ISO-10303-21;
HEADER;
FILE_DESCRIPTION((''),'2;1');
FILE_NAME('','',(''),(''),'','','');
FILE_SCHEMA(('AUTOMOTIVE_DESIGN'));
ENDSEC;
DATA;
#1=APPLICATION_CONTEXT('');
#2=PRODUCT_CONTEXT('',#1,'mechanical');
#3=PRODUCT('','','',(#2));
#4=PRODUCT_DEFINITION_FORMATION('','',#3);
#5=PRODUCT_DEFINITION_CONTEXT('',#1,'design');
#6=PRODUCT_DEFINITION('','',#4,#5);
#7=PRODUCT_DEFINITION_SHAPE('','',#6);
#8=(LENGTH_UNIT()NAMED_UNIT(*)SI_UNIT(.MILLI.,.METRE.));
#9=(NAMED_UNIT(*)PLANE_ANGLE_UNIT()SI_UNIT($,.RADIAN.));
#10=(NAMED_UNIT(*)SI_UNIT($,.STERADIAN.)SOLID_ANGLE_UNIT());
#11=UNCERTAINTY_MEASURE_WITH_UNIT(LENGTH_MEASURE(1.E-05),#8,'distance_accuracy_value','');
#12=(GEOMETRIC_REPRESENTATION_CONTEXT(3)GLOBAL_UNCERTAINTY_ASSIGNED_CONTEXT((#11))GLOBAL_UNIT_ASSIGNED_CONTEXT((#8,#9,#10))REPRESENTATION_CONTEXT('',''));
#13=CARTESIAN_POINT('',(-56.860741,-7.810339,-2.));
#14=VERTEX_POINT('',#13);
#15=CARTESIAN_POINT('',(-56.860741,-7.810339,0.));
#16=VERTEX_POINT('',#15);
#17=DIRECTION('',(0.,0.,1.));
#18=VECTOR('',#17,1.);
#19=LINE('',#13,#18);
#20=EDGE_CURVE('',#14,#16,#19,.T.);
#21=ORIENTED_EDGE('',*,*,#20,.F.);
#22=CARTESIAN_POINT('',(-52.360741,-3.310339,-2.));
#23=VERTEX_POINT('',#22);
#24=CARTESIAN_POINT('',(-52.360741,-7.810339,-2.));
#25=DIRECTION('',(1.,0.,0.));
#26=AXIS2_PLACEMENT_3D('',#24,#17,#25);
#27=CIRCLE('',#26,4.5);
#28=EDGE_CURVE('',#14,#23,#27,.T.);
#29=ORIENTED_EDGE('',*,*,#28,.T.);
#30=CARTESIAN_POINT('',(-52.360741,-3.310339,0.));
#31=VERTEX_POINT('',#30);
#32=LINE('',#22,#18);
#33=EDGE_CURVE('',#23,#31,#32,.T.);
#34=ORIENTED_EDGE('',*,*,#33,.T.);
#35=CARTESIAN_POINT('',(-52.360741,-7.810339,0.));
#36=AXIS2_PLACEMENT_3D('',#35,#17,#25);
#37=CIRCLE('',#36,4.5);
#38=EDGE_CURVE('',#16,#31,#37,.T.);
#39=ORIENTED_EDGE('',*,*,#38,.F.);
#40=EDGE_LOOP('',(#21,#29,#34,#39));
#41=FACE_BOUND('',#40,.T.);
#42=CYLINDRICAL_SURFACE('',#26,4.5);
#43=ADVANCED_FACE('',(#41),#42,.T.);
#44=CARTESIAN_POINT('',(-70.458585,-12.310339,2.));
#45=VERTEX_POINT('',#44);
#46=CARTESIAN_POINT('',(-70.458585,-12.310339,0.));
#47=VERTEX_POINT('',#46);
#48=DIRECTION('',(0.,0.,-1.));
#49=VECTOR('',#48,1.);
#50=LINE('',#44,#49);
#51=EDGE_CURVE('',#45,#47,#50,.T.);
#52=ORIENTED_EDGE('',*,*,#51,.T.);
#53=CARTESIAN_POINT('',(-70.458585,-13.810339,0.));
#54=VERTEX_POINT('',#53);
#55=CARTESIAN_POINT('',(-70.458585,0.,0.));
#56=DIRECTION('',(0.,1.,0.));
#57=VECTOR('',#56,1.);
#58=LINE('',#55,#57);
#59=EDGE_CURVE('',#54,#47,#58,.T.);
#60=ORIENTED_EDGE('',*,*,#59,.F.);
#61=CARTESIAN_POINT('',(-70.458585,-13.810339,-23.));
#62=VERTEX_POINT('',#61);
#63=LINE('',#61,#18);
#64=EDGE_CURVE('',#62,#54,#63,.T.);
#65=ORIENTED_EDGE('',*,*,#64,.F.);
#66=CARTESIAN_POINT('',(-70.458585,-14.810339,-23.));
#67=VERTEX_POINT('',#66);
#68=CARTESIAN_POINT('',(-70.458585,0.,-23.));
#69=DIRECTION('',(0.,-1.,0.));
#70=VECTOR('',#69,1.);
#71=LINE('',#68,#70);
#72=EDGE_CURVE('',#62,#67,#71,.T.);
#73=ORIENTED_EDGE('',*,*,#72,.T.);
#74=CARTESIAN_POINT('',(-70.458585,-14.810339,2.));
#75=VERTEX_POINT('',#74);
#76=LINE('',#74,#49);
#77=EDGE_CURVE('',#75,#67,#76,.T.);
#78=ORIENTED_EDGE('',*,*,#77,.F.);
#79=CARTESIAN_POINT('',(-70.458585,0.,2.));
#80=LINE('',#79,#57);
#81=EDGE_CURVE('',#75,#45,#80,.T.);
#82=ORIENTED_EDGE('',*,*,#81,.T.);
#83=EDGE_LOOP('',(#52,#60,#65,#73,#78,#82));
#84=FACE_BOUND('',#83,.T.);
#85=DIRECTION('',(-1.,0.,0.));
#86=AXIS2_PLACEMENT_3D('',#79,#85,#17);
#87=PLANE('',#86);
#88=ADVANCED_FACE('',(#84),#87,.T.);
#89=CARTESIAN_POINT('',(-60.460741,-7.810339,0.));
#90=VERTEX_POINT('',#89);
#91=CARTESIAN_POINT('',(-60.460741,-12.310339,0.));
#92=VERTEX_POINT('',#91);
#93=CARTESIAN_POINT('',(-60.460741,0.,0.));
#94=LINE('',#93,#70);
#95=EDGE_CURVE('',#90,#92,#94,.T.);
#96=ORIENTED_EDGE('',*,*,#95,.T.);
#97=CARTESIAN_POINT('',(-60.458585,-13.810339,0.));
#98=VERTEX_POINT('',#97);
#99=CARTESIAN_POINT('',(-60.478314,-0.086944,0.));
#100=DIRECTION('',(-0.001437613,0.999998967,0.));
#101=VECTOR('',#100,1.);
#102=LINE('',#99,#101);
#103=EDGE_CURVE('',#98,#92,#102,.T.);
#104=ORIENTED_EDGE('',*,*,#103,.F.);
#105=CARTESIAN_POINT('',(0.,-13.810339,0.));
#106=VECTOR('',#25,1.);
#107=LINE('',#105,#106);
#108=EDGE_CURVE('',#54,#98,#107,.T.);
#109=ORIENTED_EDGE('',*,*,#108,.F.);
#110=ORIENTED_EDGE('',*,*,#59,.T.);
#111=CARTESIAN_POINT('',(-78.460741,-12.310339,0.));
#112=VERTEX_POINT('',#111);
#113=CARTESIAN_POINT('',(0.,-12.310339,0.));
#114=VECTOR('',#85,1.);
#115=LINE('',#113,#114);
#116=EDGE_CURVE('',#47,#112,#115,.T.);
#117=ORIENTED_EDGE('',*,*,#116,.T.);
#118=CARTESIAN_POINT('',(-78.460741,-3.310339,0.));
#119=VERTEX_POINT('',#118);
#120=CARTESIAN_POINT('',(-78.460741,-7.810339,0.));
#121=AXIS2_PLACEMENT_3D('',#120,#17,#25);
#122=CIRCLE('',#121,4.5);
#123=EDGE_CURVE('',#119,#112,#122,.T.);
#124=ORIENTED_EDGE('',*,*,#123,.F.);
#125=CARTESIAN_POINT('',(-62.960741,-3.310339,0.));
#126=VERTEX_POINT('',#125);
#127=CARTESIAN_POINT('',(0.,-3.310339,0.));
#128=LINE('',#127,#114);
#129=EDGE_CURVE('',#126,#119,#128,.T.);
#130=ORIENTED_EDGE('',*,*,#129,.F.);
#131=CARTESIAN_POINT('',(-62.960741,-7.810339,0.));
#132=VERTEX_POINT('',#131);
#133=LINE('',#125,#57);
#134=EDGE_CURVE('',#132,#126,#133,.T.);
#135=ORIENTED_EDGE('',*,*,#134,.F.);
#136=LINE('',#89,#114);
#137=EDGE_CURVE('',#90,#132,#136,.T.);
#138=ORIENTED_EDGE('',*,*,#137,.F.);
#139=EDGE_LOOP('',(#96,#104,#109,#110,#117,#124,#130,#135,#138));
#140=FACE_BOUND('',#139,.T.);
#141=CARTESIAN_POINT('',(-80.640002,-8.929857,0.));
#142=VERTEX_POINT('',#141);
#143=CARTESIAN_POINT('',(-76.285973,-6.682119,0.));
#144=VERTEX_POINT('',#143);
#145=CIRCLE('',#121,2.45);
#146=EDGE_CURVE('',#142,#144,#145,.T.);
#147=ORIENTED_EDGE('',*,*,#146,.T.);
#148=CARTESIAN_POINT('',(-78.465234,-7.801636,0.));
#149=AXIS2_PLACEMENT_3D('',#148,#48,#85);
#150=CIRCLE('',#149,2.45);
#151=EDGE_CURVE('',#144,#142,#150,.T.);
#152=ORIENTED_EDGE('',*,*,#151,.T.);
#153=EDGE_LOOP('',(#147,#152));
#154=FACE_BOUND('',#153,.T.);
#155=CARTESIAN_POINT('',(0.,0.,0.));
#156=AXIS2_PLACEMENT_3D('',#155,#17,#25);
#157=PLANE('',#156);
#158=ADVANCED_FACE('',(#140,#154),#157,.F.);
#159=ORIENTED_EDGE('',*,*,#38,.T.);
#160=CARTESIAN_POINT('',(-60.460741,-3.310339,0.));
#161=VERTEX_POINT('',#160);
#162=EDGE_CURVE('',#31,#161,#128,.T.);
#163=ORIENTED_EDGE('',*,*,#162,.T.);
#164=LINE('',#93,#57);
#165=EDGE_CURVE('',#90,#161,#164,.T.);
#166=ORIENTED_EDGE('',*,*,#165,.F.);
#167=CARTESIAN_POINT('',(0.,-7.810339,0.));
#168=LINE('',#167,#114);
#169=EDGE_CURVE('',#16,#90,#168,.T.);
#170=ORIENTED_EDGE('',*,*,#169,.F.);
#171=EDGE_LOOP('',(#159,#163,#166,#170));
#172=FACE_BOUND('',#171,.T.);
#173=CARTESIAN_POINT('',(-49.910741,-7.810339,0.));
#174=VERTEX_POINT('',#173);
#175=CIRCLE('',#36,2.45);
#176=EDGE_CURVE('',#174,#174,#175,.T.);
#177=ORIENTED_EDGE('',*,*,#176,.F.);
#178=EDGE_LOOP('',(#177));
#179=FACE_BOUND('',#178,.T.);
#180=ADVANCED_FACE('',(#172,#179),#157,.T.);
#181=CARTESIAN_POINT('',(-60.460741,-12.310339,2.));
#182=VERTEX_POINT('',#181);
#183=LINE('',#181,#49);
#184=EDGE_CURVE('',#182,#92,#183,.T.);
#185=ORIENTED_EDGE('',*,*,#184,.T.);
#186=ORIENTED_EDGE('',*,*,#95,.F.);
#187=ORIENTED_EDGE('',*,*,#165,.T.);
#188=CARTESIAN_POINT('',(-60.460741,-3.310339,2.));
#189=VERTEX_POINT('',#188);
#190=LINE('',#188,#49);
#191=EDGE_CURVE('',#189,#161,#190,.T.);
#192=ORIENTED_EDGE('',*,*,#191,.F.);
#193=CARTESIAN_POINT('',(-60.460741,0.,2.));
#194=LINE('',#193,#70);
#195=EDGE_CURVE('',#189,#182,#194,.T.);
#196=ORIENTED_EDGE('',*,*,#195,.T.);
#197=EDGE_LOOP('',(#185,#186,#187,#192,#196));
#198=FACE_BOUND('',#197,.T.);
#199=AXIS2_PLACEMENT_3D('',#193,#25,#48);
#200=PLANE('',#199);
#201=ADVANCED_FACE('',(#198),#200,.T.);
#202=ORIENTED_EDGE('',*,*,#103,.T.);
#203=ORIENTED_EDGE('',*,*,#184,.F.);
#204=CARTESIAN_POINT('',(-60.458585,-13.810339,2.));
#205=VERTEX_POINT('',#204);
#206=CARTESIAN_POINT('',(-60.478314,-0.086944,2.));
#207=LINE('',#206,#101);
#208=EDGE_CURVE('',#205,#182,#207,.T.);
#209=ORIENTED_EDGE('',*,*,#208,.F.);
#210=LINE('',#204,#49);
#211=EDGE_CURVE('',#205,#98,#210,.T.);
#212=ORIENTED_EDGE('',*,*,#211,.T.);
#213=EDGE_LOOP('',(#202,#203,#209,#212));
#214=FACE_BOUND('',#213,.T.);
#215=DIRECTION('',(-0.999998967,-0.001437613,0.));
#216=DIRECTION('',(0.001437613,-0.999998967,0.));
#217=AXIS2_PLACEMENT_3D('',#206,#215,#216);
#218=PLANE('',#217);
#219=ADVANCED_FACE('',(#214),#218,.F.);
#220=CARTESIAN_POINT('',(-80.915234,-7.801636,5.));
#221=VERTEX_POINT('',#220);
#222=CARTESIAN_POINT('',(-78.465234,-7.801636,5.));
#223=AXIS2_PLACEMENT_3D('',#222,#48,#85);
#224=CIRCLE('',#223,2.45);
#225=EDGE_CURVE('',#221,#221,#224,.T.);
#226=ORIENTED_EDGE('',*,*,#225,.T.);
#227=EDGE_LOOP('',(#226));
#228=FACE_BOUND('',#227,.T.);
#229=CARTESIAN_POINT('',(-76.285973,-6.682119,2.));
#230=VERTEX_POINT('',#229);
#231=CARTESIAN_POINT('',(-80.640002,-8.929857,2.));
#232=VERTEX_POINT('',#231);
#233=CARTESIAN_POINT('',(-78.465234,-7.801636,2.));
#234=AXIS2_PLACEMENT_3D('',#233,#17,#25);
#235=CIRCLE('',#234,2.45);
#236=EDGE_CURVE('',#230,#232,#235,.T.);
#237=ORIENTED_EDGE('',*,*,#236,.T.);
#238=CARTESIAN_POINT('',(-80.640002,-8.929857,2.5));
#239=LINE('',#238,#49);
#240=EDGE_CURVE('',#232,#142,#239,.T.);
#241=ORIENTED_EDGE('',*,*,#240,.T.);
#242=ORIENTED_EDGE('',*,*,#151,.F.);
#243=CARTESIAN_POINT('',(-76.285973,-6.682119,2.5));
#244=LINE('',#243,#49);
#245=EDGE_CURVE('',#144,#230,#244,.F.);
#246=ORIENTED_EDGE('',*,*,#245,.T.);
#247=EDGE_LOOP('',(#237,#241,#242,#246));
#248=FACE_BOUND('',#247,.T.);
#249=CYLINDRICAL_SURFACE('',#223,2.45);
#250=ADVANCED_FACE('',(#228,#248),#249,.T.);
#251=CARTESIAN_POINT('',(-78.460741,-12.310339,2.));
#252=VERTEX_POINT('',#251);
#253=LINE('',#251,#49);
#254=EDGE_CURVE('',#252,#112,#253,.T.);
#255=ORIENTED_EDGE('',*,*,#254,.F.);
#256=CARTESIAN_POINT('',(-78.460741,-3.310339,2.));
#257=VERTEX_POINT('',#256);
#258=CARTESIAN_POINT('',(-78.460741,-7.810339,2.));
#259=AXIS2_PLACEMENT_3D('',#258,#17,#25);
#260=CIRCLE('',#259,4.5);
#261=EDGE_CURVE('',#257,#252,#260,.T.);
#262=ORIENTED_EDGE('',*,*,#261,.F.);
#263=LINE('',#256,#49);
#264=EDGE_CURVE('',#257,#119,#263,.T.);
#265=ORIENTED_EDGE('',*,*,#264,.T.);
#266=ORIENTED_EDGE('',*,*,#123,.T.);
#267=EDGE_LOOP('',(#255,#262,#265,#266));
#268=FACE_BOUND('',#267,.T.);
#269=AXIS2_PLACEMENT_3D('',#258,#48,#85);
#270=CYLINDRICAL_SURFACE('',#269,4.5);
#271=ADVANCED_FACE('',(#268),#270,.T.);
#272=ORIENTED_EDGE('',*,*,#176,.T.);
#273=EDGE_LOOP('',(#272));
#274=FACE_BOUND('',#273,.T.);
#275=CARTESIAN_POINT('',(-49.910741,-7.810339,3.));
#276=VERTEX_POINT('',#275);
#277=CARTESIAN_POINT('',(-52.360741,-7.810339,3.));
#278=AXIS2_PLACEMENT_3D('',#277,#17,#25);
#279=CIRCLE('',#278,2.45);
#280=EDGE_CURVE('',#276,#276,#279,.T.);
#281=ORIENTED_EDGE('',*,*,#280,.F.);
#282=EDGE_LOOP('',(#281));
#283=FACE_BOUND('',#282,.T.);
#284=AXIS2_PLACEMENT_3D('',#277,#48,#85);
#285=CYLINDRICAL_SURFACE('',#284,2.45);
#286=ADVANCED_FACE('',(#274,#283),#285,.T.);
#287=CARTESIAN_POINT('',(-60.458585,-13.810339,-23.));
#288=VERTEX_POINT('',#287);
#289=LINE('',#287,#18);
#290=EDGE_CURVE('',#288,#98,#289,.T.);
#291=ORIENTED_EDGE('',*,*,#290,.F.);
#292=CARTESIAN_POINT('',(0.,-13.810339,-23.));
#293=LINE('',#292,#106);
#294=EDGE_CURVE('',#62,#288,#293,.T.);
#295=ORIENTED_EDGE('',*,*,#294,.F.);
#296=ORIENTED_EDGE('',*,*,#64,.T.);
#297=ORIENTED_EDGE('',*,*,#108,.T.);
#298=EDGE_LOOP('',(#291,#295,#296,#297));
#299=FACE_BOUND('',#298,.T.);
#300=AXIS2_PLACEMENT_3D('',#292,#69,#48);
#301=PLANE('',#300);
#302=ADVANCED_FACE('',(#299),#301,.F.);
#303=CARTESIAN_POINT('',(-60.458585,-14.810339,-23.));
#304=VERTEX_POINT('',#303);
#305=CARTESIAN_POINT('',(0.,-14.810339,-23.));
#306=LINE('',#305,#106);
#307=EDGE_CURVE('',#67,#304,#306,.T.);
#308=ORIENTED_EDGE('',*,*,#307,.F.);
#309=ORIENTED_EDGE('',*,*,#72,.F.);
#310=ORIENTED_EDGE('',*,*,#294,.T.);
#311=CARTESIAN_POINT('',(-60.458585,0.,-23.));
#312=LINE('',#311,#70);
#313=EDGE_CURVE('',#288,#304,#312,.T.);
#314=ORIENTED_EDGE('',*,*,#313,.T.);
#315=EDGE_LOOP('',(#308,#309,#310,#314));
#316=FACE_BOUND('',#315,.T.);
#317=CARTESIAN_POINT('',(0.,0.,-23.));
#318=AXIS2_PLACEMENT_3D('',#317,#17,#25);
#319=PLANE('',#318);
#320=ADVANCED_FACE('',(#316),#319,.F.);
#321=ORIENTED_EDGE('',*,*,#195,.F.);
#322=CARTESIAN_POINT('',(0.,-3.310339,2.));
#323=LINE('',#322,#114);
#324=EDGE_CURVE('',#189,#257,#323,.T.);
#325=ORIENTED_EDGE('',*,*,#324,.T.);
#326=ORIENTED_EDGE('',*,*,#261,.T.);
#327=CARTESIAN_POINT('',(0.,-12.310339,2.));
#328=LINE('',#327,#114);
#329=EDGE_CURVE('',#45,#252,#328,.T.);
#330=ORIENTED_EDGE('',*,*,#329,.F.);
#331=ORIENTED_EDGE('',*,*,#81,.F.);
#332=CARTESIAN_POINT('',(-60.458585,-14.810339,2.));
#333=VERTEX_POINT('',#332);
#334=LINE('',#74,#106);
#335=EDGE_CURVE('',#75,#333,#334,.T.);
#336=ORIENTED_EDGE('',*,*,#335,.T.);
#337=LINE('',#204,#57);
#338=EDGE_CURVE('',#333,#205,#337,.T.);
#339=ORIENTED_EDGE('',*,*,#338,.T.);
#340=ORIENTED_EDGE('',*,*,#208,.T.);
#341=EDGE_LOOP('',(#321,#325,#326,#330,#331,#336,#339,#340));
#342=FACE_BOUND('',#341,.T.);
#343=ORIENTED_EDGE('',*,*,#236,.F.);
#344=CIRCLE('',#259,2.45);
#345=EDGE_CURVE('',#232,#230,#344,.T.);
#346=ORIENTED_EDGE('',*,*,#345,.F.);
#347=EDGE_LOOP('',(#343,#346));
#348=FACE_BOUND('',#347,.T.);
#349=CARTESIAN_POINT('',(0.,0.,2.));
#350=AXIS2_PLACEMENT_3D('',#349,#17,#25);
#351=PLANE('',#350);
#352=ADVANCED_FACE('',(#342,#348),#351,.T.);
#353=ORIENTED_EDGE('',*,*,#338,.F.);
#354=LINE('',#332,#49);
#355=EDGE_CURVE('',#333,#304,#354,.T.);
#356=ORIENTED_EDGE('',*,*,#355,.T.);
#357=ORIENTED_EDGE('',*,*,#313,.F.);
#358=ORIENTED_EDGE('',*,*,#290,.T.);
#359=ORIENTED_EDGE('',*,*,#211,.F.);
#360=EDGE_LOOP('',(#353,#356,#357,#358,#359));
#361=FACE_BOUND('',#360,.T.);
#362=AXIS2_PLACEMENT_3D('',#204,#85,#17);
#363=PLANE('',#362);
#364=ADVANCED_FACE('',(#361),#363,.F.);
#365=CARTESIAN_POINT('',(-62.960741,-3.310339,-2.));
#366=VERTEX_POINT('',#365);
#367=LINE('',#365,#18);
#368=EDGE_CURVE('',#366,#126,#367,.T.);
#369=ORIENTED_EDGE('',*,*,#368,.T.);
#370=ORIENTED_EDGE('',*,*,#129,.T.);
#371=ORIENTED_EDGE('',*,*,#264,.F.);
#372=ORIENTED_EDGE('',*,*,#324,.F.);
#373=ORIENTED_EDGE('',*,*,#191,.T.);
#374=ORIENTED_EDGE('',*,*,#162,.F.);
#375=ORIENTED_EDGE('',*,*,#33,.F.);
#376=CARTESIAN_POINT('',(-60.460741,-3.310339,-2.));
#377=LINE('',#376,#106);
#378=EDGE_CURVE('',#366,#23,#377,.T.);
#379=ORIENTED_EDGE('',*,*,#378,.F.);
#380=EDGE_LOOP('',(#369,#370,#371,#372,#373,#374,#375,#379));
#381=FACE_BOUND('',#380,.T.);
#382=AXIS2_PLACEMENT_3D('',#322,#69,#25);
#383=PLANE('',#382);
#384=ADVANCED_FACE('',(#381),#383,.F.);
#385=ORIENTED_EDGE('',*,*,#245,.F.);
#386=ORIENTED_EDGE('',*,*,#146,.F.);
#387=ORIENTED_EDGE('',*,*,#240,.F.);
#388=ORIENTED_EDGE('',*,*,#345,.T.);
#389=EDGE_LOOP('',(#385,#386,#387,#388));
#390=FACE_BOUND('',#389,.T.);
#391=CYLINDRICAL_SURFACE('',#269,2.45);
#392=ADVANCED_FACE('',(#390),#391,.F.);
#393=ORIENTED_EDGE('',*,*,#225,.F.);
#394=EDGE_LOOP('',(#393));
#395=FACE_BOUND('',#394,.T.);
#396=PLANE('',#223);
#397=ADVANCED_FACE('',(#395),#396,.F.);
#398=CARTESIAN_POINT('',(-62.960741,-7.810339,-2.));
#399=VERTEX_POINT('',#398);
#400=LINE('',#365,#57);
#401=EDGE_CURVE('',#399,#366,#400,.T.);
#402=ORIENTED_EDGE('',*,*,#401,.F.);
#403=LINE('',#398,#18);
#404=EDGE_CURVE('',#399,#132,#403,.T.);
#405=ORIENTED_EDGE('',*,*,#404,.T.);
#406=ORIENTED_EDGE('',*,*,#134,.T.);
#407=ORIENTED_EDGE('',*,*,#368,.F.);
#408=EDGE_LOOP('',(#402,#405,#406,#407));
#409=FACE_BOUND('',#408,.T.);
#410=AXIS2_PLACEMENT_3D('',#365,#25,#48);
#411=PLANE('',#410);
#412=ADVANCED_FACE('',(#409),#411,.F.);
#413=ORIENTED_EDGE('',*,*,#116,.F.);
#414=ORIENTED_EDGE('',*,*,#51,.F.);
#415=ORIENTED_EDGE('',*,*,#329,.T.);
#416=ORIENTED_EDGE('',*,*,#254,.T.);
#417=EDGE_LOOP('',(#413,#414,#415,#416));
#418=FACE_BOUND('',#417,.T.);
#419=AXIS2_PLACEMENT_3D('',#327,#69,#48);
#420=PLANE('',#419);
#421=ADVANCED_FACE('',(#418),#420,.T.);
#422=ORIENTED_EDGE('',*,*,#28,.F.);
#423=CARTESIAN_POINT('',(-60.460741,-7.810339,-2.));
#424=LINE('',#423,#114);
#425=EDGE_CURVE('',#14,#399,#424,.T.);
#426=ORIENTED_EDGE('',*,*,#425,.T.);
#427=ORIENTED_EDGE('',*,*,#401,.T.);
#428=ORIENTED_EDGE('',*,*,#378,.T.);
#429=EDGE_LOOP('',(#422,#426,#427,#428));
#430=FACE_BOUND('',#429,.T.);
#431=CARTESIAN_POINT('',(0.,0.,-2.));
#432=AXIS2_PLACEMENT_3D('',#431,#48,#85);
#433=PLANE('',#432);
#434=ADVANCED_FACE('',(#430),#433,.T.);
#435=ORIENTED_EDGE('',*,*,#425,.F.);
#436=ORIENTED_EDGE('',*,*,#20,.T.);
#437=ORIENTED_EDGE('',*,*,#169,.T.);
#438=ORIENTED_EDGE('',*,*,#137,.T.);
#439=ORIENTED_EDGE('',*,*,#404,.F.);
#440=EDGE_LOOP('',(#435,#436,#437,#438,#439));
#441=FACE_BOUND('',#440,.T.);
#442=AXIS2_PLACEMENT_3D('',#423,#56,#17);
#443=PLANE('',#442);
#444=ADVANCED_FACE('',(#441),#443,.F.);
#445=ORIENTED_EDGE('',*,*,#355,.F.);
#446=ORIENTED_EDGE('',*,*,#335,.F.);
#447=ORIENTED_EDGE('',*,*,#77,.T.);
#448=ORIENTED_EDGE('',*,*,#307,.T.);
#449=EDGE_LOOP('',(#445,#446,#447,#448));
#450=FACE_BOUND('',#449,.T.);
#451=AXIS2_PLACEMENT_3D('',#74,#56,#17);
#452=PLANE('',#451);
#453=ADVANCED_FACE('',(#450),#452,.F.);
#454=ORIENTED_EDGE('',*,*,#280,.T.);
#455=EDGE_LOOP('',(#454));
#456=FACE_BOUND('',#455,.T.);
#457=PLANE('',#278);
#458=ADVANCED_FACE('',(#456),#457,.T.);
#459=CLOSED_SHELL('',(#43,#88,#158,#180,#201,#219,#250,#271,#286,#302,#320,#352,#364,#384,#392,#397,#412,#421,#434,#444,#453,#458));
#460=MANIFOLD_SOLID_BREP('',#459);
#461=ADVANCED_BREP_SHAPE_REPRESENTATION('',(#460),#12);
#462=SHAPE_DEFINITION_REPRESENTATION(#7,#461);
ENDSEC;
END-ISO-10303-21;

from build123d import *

# Parameters (mm, degrees)
SKETCH_1_R       = 2.45
EXTRUDE_2_DEPTH  = 2
SKETCH_1_5_R     = 2.45
EXTRUDE_3_DEPTH  = 2
SKETCH_8_R       = 2.45
EXTRUDE_5_DEPTH  = 3
SKETCH_10_R      = 2.529452546
EXTRUDE_6_DEPTH  = 2
SKETCH_11_W      = 2.5
SKETCH_11_H      = 4.5
EXTRUDE_7_DEPTH  = 2
SKETCH_1_7_W     = 10
SKETCH_1_7_H     = 1
EXTRUDE_8_DEPTH  = 23
SKETCH_13_W      = 10
SKETCH_13_H      = 1
EXTRUDE_9_DEPTH  = 2
SKETCH_21_R      = 2.45
EXTRUDE_10_DEPTH = 5


with BuildPart() as part:
    # 草图1 → 凸台-拉伸2 (new body)
    with BuildSketch(Plane.XY):
        with BuildLine():
            Line((-52.360741066, -3.31033927), (-60.460741066, -3.31033927))
            Line((-60.460741066, -3.31033927), (-60.460741066, -7.81033927))
            Line((-60.460741066, -7.81033927), (-56.860741066, -7.81033927))
            ThreePointArc((-56.860741066, -7.81033927), (-49.178760551, -10.992319786), (-52.360741066, -3.31033927))
        make_face()
        with Locations((-52.360741066, -7.81033927)):
            Circle(SKETCH_1_R, mode=Mode.SUBTRACT)
    extrude(amount=-EXTRUDE_2_DEPTH)



with BuildPart() as body_2:
    # 草图1<5> → 凸台-拉伸3 (new body)
    with BuildSketch(Plane.XY):
        with BuildLine():
            Line((-78.460741066, -12.31033927), (-70.458584645, -12.31033927))
            Line((-70.458584645, -12.31033927), (-70.458584645, -13.81033927))
            Line((-70.458584645, -13.81033927), (-60.458584645, -13.81033927))
            Line((-60.458584645, -13.81033927), (-60.460741066, -12.31033927))
            Line((-60.460741066, -12.31033927), (-60.460741066, -7.81033927))
            Line((-60.460741066, -7.81033927), (-60.460741066, -3.31033927))
            Line((-60.460741066, -3.31033927), (-78.460741066, -3.31033927))
            ThreePointArc((-78.460741066, -3.31033927), (-82.960741066, -7.81033927), (-78.460741066, -12.31033927))
        make_face()
        with Locations((-78.460741066, -7.81033927)):
            Circle(SKETCH_1_5_R, mode=Mode.SUBTRACT)
    extrude(amount=EXTRUDE_3_DEPTH)


with BuildPart() as body_3:
    # 草图8 → 凸台-拉伸5 (new body)
    with BuildSketch(Plane.XY):
        with Locations((-52.360741066, -7.81033927)):
            Circle(SKETCH_8_R)
    extrude(amount=EXTRUDE_5_DEPTH)


with BuildPart() as part_1:
    add(part.part)

    add(body_3.part)  # 凸台-拉伸6 merges body 3
    # 草图10 → 凸台-拉伸6 (add)
    with BuildSketch(Plane.XY):
        with Locations((-52.43882399, -7.795650359)):
            Circle(SKETCH_10_R)
    extrude(amount=-EXTRUDE_6_DEPTH)


    add(body_2.part)  # 凸台-拉伸7 merges body 2
    # 草图11 → 凸台-拉伸7 (add)
    with BuildSketch(Plane(origin=(0, 0, 0), x_dir=(-1, 0, 0), z_dir=(0, 0, -1))):
        with Locations((61.710741066, -5.56033927)):
            Rectangle(SKETCH_11_W, SKETCH_11_H)
    extrude(amount=EXTRUDE_7_DEPTH)



with BuildPart() as body_2_2:
    # 草图1<7> → 凸台-拉伸8 (new body)
    with BuildSketch(Plane.XY):
        with Locations((-65.458584645, -14.31033927)):
            Rectangle(SKETCH_1_7_W, SKETCH_1_7_H)
    extrude(amount=-EXTRUDE_8_DEPTH)


with BuildPart() as part_2:
    add(part_1.part)

    add(body_2_2.part)  # 凸台-拉伸9 merges body 2 2
    # 草图13 → 凸台-拉伸9 (add)
    with BuildSketch(Plane.XY):
        with Locations((-65.458584645, -14.31033927)):
            Rectangle(SKETCH_13_W, SKETCH_13_H)
    extrude(amount=EXTRUDE_9_DEPTH)

    # 草图21 → 凸台-拉伸10 (add)
    with BuildSketch(Plane(origin=(0, 0, 0), x_dir=(-1, 0, 0), z_dir=(0, 0, -1))):
        with Locations((78.465233983, -7.801636169)):
            Circle(SKETCH_21_R)
    extrude(amount=-EXTRUDE_10_DEPTH)


solid = part_2.part
